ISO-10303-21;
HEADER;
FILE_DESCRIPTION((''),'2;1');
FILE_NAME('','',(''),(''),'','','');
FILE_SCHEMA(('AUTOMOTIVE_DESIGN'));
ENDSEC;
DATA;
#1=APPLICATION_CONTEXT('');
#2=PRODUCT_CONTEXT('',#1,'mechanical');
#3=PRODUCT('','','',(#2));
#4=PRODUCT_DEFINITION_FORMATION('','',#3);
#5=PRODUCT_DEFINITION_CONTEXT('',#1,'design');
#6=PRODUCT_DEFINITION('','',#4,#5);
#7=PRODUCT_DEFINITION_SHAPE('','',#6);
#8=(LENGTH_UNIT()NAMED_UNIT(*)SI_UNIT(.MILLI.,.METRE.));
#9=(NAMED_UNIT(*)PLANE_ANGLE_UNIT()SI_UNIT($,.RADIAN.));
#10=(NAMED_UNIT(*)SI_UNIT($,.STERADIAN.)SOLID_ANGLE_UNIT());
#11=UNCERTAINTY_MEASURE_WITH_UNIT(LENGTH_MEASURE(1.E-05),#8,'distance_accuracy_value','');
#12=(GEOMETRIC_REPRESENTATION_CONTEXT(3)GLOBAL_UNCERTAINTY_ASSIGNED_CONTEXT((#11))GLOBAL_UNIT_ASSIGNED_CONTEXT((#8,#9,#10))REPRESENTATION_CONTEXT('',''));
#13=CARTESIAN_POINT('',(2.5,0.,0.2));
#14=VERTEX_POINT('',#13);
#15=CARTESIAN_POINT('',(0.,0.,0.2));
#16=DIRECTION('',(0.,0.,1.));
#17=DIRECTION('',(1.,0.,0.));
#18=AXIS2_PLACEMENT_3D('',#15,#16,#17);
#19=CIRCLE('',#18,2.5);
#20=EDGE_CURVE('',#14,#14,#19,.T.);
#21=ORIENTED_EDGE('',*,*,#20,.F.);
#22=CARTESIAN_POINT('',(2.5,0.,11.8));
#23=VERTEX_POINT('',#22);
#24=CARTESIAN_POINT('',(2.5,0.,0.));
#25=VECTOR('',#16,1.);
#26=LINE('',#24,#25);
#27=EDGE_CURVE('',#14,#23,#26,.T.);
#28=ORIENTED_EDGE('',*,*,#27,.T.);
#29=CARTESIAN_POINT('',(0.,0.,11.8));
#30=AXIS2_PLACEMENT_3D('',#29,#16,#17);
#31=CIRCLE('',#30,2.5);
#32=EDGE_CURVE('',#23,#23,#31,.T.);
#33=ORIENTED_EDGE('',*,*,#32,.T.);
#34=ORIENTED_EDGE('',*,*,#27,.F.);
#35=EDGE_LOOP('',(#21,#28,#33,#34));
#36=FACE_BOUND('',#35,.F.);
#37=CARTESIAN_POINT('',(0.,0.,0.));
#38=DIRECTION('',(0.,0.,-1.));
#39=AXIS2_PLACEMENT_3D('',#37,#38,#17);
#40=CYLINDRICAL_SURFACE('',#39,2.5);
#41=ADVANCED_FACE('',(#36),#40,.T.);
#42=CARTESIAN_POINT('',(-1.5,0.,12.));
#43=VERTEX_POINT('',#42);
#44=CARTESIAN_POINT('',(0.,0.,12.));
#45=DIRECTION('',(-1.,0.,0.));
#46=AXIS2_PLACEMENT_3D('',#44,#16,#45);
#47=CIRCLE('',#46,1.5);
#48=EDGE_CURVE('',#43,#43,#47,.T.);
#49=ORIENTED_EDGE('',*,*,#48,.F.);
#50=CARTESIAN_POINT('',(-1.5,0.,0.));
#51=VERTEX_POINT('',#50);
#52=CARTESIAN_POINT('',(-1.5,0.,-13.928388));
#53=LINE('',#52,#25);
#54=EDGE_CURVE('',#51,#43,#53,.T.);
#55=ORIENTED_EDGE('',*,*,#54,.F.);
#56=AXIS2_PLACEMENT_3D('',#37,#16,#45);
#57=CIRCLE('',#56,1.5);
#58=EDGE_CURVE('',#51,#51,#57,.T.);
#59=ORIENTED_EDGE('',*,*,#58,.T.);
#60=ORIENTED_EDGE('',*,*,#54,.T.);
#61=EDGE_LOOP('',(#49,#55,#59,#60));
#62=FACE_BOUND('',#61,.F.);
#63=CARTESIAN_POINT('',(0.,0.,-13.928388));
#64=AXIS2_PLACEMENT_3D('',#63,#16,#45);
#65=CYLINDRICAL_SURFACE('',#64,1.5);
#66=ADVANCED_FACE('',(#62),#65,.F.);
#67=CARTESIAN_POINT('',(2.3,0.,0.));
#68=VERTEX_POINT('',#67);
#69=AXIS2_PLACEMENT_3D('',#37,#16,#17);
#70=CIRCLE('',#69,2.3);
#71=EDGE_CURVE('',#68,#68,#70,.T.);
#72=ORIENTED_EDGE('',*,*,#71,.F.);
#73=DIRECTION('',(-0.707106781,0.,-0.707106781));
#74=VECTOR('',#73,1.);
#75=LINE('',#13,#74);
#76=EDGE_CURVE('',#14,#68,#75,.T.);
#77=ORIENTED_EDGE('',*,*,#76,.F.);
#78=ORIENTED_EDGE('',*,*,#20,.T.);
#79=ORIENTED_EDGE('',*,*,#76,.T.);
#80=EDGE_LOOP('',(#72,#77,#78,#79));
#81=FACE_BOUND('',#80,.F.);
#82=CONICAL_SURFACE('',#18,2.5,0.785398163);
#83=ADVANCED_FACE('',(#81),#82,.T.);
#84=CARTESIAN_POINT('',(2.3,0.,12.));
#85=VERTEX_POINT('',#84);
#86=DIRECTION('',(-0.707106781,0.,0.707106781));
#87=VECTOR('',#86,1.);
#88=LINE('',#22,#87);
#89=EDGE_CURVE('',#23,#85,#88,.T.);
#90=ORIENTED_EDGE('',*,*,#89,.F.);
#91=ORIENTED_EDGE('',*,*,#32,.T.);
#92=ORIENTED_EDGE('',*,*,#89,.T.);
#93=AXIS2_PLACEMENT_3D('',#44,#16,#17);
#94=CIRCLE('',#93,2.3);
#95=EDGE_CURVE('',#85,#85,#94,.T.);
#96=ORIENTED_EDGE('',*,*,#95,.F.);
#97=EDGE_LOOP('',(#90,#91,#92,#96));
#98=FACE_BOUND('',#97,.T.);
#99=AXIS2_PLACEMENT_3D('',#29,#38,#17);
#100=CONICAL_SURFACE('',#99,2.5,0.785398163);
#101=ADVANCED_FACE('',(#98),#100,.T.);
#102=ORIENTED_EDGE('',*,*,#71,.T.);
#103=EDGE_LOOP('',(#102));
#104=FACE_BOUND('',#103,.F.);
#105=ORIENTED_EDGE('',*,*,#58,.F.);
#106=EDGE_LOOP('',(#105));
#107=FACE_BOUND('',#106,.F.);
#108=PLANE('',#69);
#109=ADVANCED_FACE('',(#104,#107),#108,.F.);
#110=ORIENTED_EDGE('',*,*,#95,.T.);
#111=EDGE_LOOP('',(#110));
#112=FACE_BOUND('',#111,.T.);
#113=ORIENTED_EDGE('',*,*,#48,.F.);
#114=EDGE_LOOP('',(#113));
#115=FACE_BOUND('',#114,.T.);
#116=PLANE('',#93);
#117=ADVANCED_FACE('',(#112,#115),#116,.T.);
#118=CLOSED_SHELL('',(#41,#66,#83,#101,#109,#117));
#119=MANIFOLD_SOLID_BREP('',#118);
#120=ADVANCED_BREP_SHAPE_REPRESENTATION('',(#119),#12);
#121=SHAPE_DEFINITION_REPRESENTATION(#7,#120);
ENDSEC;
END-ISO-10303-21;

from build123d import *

# Parameters (mm, degrees)
F0_R     = 2.5
F1_DEPTH = 12
F2_SIZE  = 0.2
F3_D     = 3


with BuildPart() as f1:
    # F0 (on Top) → F1 (new body)
    with BuildSketch(Plane.XY):
        Circle(F0_R)
    extrude(amount=F1_DEPTH)

    # F2
    f2_edges = [f1.edges().sort_by_distance(p)[0] for p in [
        (-2.5, 0, 12),
        (-2.5, 0, 0),
    ]]
    chamfer(f2_edges, length=F2_SIZE)

    # F3 (through all)
    with Locations(Plane(origin=(0, 0, 0), x_dir=(1, 0, 0), z_dir=(0, 0, -1))):
        with Locations((0, 0)):
            Hole(F3_D / 2)


solid = f1.part
